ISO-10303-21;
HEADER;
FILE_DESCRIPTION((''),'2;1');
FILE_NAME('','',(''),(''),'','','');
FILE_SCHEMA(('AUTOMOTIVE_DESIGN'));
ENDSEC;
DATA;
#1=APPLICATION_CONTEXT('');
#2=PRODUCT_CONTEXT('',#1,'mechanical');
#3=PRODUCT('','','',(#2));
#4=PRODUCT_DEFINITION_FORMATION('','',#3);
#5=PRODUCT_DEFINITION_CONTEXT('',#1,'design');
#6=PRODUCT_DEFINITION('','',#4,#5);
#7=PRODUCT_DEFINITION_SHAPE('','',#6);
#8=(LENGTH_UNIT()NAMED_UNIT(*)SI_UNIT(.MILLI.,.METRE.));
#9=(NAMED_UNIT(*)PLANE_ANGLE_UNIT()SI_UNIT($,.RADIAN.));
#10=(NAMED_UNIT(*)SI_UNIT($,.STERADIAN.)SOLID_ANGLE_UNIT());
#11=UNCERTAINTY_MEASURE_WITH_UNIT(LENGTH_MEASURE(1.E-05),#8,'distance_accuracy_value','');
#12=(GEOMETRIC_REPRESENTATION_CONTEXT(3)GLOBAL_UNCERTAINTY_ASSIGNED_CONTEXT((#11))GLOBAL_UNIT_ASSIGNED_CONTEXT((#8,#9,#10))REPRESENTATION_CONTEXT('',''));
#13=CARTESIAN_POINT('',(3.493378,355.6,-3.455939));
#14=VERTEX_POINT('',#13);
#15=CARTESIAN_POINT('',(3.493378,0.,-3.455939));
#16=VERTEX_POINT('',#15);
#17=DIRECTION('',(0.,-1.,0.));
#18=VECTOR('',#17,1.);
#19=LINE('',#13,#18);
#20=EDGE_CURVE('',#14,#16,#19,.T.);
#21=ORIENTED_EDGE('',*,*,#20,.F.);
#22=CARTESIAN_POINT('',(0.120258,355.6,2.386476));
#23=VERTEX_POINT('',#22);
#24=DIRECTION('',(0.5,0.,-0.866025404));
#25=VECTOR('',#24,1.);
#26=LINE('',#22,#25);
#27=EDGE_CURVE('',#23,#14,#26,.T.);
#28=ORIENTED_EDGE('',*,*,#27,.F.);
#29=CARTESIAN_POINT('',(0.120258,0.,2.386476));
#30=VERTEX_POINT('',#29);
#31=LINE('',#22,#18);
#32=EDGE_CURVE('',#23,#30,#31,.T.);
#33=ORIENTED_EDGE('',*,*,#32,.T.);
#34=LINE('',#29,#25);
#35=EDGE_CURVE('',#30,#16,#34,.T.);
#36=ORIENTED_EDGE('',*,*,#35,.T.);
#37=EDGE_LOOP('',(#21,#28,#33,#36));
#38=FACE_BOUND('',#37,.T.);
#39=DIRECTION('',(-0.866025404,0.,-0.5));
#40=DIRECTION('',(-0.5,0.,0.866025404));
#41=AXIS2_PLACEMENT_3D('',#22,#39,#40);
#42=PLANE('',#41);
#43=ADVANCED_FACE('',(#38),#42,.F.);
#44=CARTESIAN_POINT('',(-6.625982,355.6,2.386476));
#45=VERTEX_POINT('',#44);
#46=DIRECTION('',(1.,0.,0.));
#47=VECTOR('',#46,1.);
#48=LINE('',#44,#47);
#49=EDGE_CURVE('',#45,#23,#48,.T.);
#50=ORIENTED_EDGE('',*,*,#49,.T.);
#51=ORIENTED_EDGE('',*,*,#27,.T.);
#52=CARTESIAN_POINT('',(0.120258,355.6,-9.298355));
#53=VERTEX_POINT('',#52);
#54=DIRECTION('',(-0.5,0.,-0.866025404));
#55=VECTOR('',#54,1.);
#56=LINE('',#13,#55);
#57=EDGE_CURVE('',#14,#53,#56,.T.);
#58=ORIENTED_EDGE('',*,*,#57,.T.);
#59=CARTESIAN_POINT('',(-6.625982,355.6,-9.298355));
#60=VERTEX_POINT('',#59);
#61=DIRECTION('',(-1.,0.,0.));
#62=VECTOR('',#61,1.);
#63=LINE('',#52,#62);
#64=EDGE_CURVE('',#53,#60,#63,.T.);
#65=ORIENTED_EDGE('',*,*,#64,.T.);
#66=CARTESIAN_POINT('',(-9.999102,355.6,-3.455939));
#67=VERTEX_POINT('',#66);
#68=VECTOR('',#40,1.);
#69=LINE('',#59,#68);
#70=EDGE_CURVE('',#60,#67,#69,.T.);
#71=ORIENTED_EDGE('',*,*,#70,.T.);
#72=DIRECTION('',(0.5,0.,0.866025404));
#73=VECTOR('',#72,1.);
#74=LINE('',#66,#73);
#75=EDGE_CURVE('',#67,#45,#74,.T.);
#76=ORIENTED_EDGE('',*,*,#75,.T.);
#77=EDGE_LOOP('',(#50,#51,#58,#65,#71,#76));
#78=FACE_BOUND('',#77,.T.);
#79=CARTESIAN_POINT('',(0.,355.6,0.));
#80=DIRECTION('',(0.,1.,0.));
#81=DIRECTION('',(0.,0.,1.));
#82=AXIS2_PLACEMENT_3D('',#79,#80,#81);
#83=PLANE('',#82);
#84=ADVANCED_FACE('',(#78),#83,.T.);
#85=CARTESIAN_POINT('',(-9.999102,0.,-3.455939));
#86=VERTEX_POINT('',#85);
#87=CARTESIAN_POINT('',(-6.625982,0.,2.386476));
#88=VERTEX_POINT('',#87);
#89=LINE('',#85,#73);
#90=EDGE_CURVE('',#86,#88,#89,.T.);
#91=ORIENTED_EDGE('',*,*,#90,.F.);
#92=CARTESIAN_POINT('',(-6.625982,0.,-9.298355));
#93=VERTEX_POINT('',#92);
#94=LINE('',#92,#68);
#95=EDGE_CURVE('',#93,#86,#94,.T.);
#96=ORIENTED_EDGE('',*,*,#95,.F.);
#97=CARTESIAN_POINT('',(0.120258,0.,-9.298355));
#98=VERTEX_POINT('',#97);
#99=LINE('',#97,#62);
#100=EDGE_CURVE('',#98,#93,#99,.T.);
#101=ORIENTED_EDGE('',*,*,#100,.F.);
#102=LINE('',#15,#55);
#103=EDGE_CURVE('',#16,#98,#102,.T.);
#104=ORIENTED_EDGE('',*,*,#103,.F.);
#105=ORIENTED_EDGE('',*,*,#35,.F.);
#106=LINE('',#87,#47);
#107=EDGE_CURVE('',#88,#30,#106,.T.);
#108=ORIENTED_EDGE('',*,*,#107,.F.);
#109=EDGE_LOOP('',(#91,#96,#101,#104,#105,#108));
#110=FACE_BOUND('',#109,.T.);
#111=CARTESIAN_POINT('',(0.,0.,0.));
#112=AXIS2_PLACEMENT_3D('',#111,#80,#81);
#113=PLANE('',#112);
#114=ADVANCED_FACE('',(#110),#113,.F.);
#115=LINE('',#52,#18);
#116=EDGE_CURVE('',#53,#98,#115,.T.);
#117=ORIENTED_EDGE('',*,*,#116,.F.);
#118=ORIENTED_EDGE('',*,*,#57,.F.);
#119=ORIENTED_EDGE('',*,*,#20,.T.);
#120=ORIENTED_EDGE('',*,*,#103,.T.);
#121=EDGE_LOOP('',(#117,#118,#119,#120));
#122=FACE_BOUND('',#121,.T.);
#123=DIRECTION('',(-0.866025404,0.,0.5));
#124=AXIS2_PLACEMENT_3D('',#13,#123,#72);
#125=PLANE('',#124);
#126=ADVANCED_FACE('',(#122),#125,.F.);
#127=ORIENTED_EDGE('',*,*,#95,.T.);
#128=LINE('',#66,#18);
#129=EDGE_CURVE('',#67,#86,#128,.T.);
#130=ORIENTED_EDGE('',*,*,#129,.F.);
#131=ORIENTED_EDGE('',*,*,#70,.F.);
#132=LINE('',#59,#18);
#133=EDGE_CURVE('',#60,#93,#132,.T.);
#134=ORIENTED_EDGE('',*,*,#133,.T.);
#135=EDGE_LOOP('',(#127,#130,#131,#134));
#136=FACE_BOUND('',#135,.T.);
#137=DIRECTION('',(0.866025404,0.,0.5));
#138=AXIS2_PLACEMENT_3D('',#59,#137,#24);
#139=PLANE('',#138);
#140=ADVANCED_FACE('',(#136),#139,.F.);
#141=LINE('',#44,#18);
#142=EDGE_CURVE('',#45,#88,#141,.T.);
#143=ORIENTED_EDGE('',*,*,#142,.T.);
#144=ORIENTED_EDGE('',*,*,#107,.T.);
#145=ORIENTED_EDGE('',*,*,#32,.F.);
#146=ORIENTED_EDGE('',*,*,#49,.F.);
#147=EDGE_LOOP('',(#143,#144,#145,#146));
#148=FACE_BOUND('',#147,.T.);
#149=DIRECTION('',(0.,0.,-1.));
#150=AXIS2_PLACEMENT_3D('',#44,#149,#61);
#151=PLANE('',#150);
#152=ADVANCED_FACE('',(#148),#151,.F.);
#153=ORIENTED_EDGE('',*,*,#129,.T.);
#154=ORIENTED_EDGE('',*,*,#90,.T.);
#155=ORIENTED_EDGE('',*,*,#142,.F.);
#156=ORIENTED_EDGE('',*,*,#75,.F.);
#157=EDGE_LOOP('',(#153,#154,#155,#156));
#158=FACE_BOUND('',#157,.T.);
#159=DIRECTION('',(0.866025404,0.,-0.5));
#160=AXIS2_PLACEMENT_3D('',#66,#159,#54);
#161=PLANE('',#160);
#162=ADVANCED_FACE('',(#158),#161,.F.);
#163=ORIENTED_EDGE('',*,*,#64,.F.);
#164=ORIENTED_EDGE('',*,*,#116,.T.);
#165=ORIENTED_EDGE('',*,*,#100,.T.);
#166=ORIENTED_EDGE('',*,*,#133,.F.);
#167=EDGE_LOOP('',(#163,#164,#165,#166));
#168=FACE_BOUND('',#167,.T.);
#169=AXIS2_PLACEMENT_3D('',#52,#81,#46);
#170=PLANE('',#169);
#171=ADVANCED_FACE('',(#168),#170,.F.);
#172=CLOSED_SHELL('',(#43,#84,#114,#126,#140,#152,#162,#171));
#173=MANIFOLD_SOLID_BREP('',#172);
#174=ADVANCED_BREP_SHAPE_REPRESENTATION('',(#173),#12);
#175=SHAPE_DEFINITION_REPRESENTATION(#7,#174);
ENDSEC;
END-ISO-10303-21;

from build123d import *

# Parameters (mm, degrees)
BOSS_EXTRUDE1_DEPTH = 355.6


with BuildPart() as part:
    # Sketch1 → Boss-Extrude1 (new body)
    with BuildSketch(Plane(origin=(0, 0, 0), x_dir=(1, 0, 0), z_dir=(0, 1, 0))):
        Polygon((0.120257632, -2.386475767), (3.493377632, 3.455939453), (0.120257632, 9.298354673), (-6.625982368, 9.298354673), (-9.999102368, 3.455939453), (-6.625982368, -2.386475767), align=None)
    extrude(amount=BOSS_EXTRUDE1_DEPTH)


solid = part.part
